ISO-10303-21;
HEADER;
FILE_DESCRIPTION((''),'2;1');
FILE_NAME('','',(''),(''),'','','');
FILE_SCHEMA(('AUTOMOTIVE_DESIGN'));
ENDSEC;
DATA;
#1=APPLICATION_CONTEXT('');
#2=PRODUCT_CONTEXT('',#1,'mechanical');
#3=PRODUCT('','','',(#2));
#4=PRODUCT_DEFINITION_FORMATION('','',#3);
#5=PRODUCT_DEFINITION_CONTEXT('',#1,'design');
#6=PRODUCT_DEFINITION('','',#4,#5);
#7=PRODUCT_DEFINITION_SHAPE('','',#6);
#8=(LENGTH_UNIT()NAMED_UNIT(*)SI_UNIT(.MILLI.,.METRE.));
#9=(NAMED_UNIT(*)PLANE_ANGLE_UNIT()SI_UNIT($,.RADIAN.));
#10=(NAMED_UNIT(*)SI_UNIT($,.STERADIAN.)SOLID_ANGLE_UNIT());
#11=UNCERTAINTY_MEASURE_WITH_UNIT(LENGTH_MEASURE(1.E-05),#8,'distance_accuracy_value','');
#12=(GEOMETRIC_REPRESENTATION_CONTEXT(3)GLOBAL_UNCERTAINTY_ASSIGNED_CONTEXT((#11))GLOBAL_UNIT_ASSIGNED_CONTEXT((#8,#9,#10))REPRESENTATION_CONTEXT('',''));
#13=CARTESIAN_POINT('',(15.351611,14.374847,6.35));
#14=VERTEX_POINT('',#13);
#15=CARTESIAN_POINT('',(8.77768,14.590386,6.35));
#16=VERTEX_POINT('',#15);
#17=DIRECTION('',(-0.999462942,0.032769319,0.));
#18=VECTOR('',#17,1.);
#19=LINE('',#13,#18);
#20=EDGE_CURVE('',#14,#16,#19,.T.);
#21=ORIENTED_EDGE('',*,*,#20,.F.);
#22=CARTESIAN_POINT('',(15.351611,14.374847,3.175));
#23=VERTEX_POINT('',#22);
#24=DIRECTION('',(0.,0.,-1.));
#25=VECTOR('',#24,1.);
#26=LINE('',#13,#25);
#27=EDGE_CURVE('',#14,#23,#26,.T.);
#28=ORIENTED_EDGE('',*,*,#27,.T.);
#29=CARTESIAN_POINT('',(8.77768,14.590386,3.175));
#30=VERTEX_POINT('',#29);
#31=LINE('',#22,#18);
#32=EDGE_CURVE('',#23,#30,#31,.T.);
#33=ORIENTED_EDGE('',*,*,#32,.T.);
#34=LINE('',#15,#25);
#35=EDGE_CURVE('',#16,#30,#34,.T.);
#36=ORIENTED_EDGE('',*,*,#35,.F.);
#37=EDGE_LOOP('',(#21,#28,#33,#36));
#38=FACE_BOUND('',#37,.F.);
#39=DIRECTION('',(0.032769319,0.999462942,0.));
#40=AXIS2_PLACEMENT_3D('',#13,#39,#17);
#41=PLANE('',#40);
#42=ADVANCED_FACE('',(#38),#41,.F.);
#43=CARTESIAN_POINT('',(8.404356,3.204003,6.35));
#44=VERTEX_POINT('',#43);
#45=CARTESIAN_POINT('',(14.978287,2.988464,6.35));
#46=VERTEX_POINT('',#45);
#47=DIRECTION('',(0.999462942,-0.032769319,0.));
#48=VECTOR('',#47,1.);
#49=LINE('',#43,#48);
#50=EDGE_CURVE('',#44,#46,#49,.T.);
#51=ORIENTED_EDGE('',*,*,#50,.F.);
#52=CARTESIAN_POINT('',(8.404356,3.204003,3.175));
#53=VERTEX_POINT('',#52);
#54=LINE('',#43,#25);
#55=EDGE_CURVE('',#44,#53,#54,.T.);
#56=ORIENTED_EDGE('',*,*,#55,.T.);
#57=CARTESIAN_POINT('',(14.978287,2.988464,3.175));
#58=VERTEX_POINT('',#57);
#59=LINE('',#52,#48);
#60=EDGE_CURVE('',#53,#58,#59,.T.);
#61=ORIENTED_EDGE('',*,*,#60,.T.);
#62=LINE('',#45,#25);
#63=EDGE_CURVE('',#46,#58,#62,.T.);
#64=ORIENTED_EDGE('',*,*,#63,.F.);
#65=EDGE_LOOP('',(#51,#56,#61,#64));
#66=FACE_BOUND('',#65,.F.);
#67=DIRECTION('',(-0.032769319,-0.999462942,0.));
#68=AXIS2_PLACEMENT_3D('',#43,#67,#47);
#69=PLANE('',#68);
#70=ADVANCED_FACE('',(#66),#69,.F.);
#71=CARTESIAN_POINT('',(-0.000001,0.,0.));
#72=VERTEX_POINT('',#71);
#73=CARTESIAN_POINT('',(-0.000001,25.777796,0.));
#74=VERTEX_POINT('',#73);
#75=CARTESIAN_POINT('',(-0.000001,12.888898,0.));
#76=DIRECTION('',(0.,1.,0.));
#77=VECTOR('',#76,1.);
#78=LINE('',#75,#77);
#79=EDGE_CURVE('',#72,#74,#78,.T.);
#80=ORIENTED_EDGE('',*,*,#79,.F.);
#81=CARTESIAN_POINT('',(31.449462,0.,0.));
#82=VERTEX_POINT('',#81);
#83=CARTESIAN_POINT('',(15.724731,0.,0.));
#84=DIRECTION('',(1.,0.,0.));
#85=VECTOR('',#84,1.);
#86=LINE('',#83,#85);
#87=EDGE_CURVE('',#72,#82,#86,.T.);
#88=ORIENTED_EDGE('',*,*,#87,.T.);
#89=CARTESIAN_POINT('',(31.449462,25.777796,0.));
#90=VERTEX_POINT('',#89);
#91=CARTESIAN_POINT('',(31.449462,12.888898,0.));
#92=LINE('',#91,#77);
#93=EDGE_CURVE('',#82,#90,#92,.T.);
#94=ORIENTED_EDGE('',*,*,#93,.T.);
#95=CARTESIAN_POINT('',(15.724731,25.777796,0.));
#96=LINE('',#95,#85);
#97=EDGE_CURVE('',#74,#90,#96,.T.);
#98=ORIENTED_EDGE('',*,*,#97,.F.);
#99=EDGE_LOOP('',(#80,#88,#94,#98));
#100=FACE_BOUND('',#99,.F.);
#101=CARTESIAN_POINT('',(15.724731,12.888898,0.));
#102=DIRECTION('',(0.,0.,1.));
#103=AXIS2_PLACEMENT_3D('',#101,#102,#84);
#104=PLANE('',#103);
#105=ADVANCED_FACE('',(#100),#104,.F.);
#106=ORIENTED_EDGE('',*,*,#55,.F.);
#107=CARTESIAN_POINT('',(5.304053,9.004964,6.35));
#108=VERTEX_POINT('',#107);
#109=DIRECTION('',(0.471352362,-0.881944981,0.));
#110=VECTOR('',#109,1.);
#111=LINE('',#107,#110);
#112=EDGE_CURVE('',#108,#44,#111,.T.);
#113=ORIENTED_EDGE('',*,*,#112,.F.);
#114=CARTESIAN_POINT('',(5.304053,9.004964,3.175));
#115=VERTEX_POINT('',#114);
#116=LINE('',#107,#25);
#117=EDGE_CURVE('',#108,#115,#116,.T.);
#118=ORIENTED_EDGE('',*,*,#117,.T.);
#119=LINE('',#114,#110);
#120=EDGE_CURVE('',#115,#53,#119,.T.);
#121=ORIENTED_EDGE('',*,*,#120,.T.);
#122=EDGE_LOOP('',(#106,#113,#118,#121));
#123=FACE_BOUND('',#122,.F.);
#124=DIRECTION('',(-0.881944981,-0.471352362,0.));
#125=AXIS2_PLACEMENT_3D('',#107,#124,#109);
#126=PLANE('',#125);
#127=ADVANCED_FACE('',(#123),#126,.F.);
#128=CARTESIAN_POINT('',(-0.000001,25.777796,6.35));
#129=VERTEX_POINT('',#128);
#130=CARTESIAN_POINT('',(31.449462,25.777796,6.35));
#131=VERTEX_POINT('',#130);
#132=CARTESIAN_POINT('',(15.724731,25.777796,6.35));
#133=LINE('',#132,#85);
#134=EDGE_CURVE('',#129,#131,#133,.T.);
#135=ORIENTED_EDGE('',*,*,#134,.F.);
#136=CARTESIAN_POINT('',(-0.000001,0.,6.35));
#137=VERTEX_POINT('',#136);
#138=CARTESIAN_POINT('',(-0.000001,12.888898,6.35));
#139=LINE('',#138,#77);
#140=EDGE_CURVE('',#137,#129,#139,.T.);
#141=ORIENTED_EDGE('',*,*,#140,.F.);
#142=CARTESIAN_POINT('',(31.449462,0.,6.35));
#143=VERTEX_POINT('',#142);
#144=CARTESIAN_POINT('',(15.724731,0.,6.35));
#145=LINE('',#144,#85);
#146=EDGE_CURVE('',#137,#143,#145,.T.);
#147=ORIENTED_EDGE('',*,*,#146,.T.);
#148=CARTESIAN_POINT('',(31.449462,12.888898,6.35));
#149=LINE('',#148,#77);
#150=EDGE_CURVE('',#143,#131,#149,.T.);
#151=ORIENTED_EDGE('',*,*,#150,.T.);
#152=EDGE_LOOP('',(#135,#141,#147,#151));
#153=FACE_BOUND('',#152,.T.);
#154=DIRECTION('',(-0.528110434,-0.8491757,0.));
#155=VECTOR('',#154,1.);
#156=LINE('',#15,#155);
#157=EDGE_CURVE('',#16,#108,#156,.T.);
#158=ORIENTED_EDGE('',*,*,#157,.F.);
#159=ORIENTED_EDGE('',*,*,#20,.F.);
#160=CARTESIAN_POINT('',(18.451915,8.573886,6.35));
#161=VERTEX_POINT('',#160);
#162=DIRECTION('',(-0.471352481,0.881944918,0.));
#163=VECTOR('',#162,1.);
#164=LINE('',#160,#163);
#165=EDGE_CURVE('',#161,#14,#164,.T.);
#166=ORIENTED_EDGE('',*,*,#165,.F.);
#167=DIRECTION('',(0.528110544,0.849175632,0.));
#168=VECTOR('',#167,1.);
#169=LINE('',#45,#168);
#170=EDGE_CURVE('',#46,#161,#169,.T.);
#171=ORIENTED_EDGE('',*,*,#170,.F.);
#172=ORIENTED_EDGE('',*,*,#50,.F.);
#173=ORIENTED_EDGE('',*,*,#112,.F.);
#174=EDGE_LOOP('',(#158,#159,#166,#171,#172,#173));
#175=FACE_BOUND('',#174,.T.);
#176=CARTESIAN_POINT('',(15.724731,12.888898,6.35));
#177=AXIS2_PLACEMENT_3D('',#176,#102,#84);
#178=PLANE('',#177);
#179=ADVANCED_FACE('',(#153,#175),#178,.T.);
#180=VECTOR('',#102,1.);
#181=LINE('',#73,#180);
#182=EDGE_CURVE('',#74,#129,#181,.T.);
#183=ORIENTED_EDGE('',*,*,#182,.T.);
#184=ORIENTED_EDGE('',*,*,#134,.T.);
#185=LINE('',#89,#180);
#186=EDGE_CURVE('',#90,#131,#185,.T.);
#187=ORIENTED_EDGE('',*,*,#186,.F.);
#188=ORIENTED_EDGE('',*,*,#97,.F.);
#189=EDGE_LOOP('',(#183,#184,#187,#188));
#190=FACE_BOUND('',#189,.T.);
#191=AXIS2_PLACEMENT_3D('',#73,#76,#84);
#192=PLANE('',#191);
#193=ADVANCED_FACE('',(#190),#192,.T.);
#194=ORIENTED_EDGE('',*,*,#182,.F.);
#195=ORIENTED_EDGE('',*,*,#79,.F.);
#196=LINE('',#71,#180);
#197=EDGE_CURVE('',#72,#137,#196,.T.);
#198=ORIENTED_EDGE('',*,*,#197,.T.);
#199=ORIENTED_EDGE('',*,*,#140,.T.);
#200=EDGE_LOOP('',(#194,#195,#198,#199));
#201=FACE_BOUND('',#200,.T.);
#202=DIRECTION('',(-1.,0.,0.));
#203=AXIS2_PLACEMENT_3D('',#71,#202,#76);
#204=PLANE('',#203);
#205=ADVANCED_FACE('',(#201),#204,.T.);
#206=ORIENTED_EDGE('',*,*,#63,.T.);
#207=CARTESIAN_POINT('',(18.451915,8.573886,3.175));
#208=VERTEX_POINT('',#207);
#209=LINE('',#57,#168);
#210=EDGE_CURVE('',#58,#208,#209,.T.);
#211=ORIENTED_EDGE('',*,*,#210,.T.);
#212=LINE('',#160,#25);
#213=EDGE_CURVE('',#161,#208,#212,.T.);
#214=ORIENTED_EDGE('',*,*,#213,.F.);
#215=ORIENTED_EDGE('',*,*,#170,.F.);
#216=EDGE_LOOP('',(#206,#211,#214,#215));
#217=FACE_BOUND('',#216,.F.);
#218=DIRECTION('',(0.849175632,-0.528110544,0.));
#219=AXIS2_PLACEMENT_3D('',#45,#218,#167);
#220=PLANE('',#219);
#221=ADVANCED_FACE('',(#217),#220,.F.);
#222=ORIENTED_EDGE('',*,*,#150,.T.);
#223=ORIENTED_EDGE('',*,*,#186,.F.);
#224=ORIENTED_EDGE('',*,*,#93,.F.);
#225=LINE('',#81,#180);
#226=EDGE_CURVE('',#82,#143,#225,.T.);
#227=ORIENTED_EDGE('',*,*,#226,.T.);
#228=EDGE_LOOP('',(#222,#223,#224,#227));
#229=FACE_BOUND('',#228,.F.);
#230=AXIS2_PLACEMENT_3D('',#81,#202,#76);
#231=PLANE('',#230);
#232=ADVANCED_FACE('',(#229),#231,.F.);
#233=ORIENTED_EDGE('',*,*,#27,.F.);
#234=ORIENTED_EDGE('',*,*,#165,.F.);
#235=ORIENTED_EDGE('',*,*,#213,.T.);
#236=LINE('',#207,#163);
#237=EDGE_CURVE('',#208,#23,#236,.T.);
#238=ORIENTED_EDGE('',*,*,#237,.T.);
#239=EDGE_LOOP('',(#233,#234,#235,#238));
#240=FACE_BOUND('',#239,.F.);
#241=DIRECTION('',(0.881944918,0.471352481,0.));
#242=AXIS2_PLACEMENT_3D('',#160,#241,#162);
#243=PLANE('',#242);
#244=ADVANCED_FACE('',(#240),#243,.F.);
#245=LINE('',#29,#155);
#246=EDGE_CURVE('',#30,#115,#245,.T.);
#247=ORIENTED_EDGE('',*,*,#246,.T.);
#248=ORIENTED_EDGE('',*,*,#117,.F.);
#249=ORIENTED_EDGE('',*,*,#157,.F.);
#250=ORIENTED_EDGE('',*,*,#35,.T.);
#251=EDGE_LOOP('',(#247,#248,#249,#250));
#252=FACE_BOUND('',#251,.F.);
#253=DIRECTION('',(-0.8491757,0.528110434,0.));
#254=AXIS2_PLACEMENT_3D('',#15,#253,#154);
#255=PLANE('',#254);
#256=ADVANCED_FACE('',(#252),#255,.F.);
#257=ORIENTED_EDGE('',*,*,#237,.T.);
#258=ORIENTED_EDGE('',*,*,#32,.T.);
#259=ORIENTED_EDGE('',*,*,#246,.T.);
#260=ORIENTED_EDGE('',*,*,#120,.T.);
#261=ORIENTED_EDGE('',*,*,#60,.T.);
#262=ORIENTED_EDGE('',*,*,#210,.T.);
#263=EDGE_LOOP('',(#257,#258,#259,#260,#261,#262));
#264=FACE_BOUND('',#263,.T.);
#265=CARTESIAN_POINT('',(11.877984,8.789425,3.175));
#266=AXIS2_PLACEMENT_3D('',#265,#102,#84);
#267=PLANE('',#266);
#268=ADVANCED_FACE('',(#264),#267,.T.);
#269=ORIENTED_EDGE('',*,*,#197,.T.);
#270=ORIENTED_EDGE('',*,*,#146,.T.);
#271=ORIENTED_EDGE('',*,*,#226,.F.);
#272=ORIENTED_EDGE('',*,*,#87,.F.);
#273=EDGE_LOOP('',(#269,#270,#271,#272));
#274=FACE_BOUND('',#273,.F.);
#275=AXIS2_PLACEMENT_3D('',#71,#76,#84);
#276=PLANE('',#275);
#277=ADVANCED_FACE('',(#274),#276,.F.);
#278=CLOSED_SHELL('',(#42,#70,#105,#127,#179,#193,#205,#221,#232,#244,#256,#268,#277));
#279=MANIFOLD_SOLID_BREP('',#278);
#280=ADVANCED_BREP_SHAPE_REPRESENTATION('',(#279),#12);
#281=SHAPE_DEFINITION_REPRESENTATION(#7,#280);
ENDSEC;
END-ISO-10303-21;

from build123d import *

# Parameters (mm, degrees)
F0_W     = 31.449463
F0_H     = 25.777796
F1_DEPTH = 6.35
F3_DEPTH = 3.175


with BuildPart() as f1:
    # F0 (on Top) → F1 (new body)
    with BuildSketch(Plane.XY):
        with Locations((15.724731, 12.888898)):
            Rectangle(F0_W, F0_H)
    extrude(amount=F1_DEPTH)

    # F2 (on face) → F3 (cut)
    with BuildSketch(Plane.XY.offset(6.35)):
        Polygon((18.451915, 8.573886), (15.351611, 14.374847), (8.77768, 14.590386), (5.304053, 9.004964), (8.404356, 3.204003), (14.978287, 2.988464), align=None)
    extrude(amount=-F3_DEPTH, mode=Mode.SUBTRACT)


solid = f1.part
